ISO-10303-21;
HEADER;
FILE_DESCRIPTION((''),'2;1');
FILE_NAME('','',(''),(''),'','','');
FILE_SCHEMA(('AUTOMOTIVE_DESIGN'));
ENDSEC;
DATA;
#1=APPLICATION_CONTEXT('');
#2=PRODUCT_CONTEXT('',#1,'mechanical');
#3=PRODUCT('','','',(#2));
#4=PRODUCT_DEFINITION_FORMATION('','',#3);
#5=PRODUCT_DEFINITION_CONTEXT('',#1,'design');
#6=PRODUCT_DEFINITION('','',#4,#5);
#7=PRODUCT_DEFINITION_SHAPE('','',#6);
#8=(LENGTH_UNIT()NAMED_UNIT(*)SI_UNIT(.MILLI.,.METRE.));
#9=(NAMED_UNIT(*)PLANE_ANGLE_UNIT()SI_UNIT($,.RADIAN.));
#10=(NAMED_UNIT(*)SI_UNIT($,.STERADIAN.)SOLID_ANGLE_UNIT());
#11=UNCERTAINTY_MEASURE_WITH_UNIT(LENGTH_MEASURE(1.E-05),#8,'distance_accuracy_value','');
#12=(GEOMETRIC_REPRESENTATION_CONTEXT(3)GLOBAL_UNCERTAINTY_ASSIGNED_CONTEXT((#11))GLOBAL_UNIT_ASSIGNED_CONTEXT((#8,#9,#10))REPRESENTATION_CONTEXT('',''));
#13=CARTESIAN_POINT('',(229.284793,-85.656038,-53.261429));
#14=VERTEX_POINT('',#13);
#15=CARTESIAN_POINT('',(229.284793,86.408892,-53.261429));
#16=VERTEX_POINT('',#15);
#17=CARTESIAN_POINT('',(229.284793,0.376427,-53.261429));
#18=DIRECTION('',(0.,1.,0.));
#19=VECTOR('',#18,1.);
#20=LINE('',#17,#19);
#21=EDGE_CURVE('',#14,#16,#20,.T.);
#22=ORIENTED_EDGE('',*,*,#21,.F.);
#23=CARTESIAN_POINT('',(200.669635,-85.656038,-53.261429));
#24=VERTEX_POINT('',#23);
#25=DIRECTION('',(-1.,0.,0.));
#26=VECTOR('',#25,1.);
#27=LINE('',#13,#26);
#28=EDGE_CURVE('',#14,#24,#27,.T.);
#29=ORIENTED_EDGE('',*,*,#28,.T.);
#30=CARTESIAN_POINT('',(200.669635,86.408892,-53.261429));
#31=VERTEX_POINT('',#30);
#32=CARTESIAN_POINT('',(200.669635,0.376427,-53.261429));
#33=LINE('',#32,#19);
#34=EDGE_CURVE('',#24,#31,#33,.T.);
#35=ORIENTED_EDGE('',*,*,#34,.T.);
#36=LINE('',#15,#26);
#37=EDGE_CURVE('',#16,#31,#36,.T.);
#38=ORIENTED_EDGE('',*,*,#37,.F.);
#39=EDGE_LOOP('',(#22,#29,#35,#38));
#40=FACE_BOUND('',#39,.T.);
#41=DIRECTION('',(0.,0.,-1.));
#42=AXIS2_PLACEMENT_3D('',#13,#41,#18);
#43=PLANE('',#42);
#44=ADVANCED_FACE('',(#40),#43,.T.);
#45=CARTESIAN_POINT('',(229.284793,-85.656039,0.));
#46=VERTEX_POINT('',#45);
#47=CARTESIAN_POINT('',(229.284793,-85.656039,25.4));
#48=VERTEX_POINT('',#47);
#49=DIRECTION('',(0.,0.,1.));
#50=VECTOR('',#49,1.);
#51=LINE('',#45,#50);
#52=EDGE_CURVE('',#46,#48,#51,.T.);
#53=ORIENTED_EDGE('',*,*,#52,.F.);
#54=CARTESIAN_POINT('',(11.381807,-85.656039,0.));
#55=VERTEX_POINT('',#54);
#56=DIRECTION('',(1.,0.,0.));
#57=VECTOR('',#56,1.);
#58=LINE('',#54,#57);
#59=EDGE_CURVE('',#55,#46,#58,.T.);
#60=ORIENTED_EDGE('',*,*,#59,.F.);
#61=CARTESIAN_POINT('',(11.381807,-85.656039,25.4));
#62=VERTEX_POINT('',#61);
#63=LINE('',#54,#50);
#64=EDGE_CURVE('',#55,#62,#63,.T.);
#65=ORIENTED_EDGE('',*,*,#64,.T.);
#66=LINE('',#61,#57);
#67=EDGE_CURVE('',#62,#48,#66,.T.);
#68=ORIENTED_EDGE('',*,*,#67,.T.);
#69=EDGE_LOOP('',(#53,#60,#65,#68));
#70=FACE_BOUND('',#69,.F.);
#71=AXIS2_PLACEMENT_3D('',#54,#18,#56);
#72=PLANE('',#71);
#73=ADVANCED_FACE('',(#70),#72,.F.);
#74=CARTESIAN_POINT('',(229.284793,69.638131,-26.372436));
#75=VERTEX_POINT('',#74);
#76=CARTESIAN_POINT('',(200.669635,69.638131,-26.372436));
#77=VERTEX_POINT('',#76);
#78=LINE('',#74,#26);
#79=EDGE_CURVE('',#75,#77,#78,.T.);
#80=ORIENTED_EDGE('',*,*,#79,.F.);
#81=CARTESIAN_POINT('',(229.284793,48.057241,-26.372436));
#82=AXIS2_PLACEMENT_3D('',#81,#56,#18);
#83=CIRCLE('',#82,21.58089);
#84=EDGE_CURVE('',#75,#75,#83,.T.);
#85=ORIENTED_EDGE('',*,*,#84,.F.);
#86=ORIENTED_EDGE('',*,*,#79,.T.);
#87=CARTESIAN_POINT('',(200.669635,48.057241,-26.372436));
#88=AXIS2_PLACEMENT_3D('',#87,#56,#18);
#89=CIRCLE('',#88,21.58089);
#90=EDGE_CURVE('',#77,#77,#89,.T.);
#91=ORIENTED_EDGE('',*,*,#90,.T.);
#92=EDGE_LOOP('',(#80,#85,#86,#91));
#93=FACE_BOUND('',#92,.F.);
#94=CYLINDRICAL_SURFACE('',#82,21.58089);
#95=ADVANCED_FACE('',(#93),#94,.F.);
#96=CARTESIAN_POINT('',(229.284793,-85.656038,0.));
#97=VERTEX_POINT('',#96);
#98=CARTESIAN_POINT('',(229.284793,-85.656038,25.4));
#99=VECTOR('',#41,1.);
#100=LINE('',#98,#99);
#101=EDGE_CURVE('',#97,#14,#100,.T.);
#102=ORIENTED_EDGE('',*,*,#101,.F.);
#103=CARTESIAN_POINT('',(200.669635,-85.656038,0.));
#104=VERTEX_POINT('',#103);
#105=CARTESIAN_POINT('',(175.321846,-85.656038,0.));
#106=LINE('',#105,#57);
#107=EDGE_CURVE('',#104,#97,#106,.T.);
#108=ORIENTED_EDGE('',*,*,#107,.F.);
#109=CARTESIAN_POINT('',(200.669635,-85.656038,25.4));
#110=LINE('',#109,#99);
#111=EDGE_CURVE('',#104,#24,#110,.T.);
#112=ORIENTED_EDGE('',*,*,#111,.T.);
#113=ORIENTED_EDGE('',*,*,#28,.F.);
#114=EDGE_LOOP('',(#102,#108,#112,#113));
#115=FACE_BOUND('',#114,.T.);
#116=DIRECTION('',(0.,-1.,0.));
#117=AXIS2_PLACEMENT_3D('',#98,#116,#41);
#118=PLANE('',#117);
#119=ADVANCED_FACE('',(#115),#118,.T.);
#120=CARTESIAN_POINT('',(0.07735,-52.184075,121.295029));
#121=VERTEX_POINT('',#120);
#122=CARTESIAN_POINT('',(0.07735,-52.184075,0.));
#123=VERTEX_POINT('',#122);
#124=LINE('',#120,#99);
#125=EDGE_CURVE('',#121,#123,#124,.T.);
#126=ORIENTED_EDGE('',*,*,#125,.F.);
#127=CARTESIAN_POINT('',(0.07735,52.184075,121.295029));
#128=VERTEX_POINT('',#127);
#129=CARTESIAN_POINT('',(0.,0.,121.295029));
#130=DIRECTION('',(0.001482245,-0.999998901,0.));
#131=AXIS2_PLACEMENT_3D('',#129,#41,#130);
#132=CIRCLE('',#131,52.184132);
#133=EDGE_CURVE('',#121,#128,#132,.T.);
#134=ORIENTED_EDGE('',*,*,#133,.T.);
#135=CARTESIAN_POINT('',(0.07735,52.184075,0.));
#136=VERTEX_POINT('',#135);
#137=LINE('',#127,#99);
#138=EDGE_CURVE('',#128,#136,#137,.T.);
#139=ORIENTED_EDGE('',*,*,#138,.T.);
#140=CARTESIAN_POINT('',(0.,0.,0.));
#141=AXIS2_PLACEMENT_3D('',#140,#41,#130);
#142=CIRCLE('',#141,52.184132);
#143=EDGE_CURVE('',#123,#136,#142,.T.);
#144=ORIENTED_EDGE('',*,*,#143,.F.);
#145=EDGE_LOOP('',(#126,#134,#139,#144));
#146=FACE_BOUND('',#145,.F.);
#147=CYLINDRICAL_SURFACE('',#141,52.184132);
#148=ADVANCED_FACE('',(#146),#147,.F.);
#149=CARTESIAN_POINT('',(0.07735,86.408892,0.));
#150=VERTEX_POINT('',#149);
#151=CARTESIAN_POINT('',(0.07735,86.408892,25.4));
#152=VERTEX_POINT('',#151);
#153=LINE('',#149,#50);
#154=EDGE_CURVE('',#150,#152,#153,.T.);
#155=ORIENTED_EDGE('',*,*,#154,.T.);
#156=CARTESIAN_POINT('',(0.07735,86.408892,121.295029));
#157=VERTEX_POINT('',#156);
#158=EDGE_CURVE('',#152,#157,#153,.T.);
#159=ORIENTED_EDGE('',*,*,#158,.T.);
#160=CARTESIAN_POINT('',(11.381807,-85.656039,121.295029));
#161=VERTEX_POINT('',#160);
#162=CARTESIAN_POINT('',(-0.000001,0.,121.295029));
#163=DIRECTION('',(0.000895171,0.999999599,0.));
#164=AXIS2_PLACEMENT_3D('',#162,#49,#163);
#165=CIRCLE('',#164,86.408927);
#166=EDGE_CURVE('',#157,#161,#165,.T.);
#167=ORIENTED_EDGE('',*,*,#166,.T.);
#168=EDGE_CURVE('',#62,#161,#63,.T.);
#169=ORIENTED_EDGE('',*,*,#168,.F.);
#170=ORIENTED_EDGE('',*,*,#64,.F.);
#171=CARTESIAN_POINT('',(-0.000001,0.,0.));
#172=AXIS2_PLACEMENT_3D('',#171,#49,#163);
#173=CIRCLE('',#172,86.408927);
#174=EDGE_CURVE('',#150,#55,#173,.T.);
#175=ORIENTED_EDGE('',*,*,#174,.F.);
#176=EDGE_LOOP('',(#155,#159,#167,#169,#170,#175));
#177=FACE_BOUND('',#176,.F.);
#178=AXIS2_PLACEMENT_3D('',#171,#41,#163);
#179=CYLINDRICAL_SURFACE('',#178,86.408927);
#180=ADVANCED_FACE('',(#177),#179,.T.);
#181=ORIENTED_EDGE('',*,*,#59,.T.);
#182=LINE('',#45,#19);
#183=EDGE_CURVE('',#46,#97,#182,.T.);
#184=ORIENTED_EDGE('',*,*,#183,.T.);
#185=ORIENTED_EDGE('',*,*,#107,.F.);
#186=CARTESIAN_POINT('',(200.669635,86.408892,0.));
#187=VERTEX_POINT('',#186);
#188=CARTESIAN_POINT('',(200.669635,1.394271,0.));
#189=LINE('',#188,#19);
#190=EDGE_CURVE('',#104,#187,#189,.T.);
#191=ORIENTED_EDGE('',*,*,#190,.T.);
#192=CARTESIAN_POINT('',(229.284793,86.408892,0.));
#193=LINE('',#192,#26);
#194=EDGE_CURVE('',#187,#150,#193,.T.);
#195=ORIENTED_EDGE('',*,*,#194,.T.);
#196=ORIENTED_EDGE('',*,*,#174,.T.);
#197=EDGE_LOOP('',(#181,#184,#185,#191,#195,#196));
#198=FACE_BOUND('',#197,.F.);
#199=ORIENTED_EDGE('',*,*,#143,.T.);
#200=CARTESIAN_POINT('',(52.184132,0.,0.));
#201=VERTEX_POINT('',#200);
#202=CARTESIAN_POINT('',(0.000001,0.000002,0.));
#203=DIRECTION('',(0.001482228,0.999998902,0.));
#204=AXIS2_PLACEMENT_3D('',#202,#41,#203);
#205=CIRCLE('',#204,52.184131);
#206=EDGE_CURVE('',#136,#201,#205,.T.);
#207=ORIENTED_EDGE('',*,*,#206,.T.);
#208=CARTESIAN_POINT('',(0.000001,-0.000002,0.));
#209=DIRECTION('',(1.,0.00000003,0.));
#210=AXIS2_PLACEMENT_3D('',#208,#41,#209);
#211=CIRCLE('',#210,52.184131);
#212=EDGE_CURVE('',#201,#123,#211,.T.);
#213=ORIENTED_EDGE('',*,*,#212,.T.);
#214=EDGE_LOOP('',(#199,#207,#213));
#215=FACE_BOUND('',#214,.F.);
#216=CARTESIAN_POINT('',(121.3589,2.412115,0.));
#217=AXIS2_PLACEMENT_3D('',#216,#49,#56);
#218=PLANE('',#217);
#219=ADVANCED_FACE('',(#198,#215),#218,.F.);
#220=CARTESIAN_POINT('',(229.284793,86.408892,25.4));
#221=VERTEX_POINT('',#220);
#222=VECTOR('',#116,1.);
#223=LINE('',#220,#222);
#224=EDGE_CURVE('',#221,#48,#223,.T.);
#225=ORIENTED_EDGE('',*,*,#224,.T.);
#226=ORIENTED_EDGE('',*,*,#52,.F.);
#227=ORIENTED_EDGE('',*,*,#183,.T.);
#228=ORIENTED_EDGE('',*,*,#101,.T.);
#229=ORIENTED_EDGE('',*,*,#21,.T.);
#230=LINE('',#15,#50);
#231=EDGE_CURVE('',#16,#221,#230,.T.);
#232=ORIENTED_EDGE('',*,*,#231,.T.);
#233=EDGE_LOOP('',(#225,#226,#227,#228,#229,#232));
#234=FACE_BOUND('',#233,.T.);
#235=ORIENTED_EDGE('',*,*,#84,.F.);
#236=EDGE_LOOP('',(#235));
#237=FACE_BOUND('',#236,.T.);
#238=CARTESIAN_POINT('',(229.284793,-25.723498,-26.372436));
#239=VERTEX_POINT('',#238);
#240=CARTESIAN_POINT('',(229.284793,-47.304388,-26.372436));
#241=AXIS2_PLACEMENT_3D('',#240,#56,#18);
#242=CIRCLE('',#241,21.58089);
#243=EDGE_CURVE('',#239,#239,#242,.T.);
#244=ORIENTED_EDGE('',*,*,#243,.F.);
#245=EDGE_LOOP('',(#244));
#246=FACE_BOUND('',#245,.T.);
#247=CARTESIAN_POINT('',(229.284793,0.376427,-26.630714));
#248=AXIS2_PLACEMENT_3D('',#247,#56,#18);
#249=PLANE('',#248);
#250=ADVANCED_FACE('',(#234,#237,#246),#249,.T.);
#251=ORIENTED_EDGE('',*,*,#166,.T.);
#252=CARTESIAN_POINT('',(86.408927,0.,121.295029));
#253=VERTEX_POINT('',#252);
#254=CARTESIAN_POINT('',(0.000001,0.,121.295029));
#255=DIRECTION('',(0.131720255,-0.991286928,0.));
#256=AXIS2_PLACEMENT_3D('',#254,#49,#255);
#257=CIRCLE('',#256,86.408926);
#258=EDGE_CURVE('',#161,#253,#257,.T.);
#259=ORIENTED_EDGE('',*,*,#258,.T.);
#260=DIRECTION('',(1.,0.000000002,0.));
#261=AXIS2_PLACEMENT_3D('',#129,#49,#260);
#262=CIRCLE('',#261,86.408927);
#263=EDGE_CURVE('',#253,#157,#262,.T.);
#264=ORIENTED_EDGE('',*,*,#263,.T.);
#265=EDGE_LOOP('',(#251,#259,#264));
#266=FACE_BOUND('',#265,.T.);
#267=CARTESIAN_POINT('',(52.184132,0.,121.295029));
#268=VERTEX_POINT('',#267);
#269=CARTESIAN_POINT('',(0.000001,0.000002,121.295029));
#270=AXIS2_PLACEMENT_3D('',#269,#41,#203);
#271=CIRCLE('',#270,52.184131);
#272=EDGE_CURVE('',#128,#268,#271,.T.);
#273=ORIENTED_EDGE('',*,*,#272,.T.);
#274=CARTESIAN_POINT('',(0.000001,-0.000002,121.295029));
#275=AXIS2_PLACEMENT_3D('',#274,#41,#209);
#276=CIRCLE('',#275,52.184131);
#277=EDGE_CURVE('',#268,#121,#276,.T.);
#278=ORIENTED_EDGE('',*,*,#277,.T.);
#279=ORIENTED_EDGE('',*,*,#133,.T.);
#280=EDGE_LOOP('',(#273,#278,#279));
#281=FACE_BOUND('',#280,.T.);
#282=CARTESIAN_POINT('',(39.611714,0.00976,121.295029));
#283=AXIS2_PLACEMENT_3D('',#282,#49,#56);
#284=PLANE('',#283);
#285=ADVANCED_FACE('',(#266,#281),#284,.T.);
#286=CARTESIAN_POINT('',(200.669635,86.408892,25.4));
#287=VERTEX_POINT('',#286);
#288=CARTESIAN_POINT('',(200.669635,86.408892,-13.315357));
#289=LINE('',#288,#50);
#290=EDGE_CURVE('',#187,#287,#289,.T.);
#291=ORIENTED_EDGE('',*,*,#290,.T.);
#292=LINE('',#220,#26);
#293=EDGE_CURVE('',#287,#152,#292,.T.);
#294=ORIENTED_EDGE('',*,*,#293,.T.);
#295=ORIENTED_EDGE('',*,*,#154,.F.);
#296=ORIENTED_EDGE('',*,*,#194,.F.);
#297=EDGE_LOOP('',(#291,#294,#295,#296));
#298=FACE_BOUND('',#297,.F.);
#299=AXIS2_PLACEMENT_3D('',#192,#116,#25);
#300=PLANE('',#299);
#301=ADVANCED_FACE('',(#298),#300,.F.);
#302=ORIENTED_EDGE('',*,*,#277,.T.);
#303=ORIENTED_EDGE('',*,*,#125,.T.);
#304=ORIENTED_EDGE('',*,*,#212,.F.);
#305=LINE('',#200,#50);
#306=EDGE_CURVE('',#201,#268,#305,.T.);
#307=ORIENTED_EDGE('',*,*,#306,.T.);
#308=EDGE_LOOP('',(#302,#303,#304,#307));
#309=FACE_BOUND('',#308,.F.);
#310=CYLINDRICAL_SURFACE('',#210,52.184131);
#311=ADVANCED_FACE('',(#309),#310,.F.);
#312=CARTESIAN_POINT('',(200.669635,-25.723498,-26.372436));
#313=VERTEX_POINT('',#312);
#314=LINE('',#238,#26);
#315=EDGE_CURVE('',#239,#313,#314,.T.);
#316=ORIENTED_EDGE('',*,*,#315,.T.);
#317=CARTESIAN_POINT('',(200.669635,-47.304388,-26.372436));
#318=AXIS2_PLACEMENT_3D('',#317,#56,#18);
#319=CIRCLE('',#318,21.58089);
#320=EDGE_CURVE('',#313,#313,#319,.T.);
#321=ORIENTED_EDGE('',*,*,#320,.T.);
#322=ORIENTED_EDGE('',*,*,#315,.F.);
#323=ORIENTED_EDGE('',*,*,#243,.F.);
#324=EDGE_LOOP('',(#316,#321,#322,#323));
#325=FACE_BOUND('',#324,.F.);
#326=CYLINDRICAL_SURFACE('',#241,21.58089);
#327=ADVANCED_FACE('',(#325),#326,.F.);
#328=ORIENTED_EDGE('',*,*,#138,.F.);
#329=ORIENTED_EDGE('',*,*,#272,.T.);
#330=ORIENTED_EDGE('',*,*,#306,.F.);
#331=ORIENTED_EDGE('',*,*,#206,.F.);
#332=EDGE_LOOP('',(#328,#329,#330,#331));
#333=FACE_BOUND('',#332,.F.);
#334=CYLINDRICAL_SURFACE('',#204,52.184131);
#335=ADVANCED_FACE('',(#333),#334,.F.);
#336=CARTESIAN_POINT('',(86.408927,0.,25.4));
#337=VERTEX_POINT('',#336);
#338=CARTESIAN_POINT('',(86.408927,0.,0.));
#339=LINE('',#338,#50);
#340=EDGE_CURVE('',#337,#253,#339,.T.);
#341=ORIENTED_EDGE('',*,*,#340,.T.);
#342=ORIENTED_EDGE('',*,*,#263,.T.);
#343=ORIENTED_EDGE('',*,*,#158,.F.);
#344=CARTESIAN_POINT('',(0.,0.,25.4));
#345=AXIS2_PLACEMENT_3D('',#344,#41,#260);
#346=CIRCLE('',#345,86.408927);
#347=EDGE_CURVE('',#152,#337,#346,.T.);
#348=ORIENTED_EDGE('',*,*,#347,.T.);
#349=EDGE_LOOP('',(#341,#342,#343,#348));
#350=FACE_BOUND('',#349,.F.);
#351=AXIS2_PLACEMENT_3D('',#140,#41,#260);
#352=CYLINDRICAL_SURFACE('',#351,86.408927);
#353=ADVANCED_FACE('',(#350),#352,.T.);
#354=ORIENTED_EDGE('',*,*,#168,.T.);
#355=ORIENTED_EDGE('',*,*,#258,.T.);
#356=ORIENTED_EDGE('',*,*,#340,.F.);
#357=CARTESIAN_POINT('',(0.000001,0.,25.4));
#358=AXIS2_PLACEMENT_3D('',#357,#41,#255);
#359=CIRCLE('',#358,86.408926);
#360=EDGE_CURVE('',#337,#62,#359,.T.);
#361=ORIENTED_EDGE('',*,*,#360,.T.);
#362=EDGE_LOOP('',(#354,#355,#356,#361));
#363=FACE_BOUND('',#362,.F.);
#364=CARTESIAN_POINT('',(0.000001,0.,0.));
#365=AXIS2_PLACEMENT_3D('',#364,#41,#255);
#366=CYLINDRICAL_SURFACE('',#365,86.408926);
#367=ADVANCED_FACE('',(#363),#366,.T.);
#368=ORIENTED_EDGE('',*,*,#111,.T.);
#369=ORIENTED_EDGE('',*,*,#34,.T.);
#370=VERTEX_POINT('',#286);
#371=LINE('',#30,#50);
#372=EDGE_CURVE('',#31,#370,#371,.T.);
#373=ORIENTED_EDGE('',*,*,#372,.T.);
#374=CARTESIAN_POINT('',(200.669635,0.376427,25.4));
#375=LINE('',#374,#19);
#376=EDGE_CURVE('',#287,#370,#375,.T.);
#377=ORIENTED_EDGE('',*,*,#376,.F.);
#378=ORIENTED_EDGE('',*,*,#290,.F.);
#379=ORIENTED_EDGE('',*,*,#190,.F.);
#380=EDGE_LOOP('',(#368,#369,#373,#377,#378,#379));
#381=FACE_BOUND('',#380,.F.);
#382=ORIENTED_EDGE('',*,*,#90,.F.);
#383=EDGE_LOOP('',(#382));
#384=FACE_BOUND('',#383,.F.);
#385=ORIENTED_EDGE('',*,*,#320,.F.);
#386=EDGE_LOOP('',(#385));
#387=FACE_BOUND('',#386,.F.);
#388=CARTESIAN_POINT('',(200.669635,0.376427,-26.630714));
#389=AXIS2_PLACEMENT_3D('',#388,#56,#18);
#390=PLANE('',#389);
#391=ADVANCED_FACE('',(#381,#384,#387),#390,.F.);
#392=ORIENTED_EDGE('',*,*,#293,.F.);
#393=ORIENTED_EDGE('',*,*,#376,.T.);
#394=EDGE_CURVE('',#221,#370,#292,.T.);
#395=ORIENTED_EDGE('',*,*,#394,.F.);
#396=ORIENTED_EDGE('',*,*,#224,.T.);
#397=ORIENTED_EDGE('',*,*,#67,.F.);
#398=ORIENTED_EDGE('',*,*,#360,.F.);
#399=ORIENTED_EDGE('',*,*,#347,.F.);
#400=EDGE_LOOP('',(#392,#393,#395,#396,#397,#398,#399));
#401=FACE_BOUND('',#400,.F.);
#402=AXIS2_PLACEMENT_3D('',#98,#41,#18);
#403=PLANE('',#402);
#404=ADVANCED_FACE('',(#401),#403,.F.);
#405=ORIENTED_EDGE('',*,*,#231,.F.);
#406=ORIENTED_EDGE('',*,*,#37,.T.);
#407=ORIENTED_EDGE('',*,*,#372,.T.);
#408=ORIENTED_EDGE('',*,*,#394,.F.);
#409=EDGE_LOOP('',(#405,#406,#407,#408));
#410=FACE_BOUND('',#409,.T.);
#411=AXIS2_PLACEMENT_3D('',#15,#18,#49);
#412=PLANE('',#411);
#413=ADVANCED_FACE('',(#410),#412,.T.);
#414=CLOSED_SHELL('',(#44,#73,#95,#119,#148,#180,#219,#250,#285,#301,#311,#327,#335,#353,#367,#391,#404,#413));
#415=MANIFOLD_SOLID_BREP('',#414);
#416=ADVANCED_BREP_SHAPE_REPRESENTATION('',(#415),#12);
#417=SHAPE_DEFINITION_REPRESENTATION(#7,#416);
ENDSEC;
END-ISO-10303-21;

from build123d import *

# Parameters (mm, degrees)
F1_DEPTH = 25.4
F4_DEPTH = 121.295029
F5_W     = 172.064931
F5_H     = 53.261429
F5_H_2   = 25.4
F2_DEPTH = 28.615158
F6_R     = 21.58089
F3_DEPTH = 28.615158


with BuildPart() as f1:
    # F0 (on Top) → F1 (new body)
    with BuildSketch(Plane.XY):
        with BuildLine():
            ThreePointArc((0.07735, 86.408892), (61.127679, 61.072985), (86.408927, 0))
            ThreePointArc((86.408927, 0), (64.999971, -56.934229), (11.381807, -85.656039))
            Line((11.381807, -85.656039), (229.284793, -85.656039))
            Line((229.284793, -85.656039), (229.284793, 86.408892))
            Line((229.284793, 86.408892), (0.07735, 86.408892))
        make_face()
        with BuildLine():
            Line((0.07735, 52.184075), (0.07735, 86.408892))
            ThreePointArc((0.07735, 86.408892), (-86.223044, -5.66475), (11.381807, -85.656039))
            Line((11.381807, -85.656039), (0.07735, -85.656039))
            Line((0.07735, -85.656039), (0.07735, -52.184075))
            ThreePointArc((0.07735, -52.184075), (-52.184132, 0), (0.07735, 52.184075))
        make_face()
        with BuildLine():
            ThreePointArc((11.381807, -85.656039), (64.999971, -56.934229), (86.408927, 0))
            ThreePointArc((86.408927, 0), (61.127679, 61.072985), (0.07735, 86.408892))
            Line((0.07735, 86.408892), (0.07735, 52.184075))
            ThreePointArc((0.07735, 52.184075), (36.927091, 36.872397), (52.184132, 0))
            ThreePointArc((52.184132, 0), (36.927091, -36.872397), (0.07735, -52.184075))
            Line((0.07735, -52.184075), (0.07735, -85.656039))
            Line((0.07735, -85.656039), (11.381807, -85.656039))
        make_face()
    extrude(amount=F1_DEPTH)

    # F0 (on Top) → F4 (join)
    with BuildSketch(Plane.XY):
        with BuildLine():
            ThreePointArc((11.381807, -85.656039), (64.999971, -56.934229), (86.408927, 0))
            ThreePointArc((86.408927, 0), (61.127679, 61.072985), (0.07735, 86.408892))
            Line((0.07735, 86.408892), (0.07735, 52.184075))
            ThreePointArc((0.07735, 52.184075), (36.927091, 36.872397), (52.184132, 0))
            ThreePointArc((52.184132, 0), (36.927091, -36.872397), (0.07735, -52.184075))
            Line((0.07735, -52.184075), (0.07735, -85.656039))
            Line((0.07735, -85.656039), (11.381807, -85.656039))
        make_face()
        with BuildLine():
            Line((0.07735, 52.184075), (0.07735, 86.408892))
            ThreePointArc((0.07735, 86.408892), (-86.223044, -5.66475), (11.381807, -85.656039))
            Line((11.381807, -85.656039), (0.07735, -85.656039))
            Line((0.07735, -85.656039), (0.07735, -52.184075))
            ThreePointArc((0.07735, -52.184075), (-52.184132, 0), (0.07735, 52.184075))
        make_face()
    extrude(amount=F4_DEPTH)

    # F5 (on face) → F2 (join)
    with BuildSketch(Plane.YZ.offset(229.284793)):
        with Locations((0.376427, -26.630714)):
            Rectangle(F5_W, F5_H)
        with Locations((0.376427, 12.7)):
            Rectangle(F5_W, F5_H_2)
    extrude(amount=-F2_DEPTH)

    # F6 (on face) → F3 (cut, through all)
    with BuildSketch(Plane.YZ.offset(229.284793)):
        with Locations((-47.304388, -26.372436)):
            Circle(F6_R)
        with Locations((48.057241, -26.372436)):
            Circle(F6_R)
    extrude(amount=-F3_DEPTH, mode=Mode.SUBTRACT)


solid = f1.part
